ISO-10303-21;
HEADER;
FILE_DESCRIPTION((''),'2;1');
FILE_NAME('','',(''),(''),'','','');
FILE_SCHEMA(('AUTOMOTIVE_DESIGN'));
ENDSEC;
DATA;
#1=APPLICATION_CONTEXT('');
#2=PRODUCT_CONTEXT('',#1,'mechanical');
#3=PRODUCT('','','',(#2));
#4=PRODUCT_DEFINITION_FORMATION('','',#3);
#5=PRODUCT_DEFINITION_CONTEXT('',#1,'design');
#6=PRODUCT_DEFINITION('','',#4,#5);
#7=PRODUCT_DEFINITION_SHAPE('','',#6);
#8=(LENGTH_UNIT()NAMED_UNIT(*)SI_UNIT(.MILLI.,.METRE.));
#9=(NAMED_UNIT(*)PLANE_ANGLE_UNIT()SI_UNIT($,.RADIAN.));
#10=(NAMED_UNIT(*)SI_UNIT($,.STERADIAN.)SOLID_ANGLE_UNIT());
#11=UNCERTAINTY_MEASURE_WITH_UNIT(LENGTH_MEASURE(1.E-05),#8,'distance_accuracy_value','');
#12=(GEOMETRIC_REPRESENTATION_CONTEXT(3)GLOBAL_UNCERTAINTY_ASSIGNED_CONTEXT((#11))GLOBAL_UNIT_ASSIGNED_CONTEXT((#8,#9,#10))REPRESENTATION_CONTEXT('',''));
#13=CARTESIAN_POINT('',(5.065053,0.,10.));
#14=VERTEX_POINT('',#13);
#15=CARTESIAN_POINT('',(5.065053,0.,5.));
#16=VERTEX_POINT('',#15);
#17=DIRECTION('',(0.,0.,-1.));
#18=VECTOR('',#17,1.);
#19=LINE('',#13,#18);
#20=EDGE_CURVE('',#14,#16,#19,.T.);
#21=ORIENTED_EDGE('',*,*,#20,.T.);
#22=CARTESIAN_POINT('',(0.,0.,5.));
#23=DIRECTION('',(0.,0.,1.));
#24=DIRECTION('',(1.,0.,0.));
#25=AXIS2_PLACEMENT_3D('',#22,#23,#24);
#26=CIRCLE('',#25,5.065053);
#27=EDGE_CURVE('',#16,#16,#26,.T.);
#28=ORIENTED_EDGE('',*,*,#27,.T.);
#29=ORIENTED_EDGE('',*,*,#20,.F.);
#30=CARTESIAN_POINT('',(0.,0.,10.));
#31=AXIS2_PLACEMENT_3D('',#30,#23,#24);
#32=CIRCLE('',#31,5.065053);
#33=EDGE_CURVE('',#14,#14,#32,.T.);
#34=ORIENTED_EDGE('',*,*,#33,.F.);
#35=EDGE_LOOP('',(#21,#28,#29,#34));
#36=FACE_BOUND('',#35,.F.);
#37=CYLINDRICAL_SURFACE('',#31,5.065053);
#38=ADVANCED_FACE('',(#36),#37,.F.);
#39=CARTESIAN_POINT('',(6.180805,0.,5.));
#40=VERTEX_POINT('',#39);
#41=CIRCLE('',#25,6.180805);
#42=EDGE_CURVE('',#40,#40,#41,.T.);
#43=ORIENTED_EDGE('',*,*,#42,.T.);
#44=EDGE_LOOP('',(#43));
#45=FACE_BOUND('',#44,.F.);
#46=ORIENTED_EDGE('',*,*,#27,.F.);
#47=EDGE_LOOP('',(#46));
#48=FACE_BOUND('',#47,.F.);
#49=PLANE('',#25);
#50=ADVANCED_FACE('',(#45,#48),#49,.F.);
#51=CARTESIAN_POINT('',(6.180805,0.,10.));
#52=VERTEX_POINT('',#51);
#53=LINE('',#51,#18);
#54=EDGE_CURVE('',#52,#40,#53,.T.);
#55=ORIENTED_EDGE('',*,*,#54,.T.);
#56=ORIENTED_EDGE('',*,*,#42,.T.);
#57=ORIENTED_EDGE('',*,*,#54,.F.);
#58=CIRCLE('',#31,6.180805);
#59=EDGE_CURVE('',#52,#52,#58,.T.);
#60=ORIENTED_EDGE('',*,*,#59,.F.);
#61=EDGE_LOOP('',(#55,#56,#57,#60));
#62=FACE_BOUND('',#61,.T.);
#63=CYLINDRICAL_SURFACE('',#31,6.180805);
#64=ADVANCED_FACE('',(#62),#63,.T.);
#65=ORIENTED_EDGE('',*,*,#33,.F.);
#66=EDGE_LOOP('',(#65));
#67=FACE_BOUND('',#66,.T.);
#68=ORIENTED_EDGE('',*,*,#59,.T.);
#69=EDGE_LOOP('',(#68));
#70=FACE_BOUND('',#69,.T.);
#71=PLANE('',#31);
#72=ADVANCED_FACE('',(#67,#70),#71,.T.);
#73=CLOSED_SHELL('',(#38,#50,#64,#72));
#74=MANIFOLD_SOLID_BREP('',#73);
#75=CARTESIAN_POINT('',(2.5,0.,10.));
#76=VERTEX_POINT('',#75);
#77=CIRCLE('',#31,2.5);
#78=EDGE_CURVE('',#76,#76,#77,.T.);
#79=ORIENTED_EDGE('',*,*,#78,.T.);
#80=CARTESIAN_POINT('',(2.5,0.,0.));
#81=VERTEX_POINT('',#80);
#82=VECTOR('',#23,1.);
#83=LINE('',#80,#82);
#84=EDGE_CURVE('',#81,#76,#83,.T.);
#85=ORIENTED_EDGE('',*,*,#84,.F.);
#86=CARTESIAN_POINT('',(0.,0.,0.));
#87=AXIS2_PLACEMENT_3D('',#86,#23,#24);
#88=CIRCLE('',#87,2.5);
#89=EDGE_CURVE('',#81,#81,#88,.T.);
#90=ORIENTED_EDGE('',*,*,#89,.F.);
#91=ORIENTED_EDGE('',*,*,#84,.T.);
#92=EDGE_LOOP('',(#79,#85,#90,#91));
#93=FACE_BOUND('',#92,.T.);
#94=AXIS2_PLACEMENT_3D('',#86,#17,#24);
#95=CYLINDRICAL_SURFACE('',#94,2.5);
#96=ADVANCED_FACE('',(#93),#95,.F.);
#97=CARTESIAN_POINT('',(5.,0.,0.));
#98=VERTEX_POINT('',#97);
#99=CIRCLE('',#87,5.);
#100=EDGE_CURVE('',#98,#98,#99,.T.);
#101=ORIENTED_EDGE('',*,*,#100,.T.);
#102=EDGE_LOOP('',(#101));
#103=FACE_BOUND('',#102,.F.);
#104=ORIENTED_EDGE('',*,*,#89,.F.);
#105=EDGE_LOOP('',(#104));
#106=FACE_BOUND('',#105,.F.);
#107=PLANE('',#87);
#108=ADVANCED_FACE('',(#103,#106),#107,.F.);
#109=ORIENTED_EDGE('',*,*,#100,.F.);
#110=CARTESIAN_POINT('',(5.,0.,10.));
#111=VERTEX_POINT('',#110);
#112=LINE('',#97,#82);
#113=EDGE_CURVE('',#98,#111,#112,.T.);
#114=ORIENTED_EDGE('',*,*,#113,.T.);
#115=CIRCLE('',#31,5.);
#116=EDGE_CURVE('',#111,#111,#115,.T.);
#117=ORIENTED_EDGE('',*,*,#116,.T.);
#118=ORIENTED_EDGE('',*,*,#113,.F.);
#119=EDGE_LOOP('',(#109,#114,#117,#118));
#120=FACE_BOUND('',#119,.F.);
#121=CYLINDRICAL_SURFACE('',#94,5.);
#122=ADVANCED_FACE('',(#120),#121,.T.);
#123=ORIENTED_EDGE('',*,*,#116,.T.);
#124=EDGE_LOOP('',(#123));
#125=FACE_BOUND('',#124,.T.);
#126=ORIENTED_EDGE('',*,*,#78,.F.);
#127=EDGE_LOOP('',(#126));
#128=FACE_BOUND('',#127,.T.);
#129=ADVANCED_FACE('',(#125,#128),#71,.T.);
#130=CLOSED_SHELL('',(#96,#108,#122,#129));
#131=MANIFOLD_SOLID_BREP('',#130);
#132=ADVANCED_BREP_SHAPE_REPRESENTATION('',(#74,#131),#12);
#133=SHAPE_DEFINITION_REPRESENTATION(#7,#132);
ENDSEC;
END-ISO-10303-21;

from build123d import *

# Parameters (mm, degrees)
F0_R     = 5
F0_R_2   = 2.5
F1_DEPTH = 10
F2_R     = 6.180805
F2_R_2   = 5.065053
F3_DEPTH = 5


with BuildPart() as f1:
    # F0 (on Top) → F1 (new body)
    with BuildSketch(Plane.XY):
        Circle(F0_R)
        Circle(F0_R_2, mode=Mode.SUBTRACT)
    extrude(amount=F1_DEPTH)


with BuildPart() as f3:
    # F2 (on face) → F3 (new body)
    with BuildSketch(Plane.XY.offset(10)):
        Circle(F2_R)
        Circle(F2_R_2, mode=Mode.SUBTRACT)
    extrude(amount=-F3_DEPTH)


solid = Compound([f1.part, f3.part])
